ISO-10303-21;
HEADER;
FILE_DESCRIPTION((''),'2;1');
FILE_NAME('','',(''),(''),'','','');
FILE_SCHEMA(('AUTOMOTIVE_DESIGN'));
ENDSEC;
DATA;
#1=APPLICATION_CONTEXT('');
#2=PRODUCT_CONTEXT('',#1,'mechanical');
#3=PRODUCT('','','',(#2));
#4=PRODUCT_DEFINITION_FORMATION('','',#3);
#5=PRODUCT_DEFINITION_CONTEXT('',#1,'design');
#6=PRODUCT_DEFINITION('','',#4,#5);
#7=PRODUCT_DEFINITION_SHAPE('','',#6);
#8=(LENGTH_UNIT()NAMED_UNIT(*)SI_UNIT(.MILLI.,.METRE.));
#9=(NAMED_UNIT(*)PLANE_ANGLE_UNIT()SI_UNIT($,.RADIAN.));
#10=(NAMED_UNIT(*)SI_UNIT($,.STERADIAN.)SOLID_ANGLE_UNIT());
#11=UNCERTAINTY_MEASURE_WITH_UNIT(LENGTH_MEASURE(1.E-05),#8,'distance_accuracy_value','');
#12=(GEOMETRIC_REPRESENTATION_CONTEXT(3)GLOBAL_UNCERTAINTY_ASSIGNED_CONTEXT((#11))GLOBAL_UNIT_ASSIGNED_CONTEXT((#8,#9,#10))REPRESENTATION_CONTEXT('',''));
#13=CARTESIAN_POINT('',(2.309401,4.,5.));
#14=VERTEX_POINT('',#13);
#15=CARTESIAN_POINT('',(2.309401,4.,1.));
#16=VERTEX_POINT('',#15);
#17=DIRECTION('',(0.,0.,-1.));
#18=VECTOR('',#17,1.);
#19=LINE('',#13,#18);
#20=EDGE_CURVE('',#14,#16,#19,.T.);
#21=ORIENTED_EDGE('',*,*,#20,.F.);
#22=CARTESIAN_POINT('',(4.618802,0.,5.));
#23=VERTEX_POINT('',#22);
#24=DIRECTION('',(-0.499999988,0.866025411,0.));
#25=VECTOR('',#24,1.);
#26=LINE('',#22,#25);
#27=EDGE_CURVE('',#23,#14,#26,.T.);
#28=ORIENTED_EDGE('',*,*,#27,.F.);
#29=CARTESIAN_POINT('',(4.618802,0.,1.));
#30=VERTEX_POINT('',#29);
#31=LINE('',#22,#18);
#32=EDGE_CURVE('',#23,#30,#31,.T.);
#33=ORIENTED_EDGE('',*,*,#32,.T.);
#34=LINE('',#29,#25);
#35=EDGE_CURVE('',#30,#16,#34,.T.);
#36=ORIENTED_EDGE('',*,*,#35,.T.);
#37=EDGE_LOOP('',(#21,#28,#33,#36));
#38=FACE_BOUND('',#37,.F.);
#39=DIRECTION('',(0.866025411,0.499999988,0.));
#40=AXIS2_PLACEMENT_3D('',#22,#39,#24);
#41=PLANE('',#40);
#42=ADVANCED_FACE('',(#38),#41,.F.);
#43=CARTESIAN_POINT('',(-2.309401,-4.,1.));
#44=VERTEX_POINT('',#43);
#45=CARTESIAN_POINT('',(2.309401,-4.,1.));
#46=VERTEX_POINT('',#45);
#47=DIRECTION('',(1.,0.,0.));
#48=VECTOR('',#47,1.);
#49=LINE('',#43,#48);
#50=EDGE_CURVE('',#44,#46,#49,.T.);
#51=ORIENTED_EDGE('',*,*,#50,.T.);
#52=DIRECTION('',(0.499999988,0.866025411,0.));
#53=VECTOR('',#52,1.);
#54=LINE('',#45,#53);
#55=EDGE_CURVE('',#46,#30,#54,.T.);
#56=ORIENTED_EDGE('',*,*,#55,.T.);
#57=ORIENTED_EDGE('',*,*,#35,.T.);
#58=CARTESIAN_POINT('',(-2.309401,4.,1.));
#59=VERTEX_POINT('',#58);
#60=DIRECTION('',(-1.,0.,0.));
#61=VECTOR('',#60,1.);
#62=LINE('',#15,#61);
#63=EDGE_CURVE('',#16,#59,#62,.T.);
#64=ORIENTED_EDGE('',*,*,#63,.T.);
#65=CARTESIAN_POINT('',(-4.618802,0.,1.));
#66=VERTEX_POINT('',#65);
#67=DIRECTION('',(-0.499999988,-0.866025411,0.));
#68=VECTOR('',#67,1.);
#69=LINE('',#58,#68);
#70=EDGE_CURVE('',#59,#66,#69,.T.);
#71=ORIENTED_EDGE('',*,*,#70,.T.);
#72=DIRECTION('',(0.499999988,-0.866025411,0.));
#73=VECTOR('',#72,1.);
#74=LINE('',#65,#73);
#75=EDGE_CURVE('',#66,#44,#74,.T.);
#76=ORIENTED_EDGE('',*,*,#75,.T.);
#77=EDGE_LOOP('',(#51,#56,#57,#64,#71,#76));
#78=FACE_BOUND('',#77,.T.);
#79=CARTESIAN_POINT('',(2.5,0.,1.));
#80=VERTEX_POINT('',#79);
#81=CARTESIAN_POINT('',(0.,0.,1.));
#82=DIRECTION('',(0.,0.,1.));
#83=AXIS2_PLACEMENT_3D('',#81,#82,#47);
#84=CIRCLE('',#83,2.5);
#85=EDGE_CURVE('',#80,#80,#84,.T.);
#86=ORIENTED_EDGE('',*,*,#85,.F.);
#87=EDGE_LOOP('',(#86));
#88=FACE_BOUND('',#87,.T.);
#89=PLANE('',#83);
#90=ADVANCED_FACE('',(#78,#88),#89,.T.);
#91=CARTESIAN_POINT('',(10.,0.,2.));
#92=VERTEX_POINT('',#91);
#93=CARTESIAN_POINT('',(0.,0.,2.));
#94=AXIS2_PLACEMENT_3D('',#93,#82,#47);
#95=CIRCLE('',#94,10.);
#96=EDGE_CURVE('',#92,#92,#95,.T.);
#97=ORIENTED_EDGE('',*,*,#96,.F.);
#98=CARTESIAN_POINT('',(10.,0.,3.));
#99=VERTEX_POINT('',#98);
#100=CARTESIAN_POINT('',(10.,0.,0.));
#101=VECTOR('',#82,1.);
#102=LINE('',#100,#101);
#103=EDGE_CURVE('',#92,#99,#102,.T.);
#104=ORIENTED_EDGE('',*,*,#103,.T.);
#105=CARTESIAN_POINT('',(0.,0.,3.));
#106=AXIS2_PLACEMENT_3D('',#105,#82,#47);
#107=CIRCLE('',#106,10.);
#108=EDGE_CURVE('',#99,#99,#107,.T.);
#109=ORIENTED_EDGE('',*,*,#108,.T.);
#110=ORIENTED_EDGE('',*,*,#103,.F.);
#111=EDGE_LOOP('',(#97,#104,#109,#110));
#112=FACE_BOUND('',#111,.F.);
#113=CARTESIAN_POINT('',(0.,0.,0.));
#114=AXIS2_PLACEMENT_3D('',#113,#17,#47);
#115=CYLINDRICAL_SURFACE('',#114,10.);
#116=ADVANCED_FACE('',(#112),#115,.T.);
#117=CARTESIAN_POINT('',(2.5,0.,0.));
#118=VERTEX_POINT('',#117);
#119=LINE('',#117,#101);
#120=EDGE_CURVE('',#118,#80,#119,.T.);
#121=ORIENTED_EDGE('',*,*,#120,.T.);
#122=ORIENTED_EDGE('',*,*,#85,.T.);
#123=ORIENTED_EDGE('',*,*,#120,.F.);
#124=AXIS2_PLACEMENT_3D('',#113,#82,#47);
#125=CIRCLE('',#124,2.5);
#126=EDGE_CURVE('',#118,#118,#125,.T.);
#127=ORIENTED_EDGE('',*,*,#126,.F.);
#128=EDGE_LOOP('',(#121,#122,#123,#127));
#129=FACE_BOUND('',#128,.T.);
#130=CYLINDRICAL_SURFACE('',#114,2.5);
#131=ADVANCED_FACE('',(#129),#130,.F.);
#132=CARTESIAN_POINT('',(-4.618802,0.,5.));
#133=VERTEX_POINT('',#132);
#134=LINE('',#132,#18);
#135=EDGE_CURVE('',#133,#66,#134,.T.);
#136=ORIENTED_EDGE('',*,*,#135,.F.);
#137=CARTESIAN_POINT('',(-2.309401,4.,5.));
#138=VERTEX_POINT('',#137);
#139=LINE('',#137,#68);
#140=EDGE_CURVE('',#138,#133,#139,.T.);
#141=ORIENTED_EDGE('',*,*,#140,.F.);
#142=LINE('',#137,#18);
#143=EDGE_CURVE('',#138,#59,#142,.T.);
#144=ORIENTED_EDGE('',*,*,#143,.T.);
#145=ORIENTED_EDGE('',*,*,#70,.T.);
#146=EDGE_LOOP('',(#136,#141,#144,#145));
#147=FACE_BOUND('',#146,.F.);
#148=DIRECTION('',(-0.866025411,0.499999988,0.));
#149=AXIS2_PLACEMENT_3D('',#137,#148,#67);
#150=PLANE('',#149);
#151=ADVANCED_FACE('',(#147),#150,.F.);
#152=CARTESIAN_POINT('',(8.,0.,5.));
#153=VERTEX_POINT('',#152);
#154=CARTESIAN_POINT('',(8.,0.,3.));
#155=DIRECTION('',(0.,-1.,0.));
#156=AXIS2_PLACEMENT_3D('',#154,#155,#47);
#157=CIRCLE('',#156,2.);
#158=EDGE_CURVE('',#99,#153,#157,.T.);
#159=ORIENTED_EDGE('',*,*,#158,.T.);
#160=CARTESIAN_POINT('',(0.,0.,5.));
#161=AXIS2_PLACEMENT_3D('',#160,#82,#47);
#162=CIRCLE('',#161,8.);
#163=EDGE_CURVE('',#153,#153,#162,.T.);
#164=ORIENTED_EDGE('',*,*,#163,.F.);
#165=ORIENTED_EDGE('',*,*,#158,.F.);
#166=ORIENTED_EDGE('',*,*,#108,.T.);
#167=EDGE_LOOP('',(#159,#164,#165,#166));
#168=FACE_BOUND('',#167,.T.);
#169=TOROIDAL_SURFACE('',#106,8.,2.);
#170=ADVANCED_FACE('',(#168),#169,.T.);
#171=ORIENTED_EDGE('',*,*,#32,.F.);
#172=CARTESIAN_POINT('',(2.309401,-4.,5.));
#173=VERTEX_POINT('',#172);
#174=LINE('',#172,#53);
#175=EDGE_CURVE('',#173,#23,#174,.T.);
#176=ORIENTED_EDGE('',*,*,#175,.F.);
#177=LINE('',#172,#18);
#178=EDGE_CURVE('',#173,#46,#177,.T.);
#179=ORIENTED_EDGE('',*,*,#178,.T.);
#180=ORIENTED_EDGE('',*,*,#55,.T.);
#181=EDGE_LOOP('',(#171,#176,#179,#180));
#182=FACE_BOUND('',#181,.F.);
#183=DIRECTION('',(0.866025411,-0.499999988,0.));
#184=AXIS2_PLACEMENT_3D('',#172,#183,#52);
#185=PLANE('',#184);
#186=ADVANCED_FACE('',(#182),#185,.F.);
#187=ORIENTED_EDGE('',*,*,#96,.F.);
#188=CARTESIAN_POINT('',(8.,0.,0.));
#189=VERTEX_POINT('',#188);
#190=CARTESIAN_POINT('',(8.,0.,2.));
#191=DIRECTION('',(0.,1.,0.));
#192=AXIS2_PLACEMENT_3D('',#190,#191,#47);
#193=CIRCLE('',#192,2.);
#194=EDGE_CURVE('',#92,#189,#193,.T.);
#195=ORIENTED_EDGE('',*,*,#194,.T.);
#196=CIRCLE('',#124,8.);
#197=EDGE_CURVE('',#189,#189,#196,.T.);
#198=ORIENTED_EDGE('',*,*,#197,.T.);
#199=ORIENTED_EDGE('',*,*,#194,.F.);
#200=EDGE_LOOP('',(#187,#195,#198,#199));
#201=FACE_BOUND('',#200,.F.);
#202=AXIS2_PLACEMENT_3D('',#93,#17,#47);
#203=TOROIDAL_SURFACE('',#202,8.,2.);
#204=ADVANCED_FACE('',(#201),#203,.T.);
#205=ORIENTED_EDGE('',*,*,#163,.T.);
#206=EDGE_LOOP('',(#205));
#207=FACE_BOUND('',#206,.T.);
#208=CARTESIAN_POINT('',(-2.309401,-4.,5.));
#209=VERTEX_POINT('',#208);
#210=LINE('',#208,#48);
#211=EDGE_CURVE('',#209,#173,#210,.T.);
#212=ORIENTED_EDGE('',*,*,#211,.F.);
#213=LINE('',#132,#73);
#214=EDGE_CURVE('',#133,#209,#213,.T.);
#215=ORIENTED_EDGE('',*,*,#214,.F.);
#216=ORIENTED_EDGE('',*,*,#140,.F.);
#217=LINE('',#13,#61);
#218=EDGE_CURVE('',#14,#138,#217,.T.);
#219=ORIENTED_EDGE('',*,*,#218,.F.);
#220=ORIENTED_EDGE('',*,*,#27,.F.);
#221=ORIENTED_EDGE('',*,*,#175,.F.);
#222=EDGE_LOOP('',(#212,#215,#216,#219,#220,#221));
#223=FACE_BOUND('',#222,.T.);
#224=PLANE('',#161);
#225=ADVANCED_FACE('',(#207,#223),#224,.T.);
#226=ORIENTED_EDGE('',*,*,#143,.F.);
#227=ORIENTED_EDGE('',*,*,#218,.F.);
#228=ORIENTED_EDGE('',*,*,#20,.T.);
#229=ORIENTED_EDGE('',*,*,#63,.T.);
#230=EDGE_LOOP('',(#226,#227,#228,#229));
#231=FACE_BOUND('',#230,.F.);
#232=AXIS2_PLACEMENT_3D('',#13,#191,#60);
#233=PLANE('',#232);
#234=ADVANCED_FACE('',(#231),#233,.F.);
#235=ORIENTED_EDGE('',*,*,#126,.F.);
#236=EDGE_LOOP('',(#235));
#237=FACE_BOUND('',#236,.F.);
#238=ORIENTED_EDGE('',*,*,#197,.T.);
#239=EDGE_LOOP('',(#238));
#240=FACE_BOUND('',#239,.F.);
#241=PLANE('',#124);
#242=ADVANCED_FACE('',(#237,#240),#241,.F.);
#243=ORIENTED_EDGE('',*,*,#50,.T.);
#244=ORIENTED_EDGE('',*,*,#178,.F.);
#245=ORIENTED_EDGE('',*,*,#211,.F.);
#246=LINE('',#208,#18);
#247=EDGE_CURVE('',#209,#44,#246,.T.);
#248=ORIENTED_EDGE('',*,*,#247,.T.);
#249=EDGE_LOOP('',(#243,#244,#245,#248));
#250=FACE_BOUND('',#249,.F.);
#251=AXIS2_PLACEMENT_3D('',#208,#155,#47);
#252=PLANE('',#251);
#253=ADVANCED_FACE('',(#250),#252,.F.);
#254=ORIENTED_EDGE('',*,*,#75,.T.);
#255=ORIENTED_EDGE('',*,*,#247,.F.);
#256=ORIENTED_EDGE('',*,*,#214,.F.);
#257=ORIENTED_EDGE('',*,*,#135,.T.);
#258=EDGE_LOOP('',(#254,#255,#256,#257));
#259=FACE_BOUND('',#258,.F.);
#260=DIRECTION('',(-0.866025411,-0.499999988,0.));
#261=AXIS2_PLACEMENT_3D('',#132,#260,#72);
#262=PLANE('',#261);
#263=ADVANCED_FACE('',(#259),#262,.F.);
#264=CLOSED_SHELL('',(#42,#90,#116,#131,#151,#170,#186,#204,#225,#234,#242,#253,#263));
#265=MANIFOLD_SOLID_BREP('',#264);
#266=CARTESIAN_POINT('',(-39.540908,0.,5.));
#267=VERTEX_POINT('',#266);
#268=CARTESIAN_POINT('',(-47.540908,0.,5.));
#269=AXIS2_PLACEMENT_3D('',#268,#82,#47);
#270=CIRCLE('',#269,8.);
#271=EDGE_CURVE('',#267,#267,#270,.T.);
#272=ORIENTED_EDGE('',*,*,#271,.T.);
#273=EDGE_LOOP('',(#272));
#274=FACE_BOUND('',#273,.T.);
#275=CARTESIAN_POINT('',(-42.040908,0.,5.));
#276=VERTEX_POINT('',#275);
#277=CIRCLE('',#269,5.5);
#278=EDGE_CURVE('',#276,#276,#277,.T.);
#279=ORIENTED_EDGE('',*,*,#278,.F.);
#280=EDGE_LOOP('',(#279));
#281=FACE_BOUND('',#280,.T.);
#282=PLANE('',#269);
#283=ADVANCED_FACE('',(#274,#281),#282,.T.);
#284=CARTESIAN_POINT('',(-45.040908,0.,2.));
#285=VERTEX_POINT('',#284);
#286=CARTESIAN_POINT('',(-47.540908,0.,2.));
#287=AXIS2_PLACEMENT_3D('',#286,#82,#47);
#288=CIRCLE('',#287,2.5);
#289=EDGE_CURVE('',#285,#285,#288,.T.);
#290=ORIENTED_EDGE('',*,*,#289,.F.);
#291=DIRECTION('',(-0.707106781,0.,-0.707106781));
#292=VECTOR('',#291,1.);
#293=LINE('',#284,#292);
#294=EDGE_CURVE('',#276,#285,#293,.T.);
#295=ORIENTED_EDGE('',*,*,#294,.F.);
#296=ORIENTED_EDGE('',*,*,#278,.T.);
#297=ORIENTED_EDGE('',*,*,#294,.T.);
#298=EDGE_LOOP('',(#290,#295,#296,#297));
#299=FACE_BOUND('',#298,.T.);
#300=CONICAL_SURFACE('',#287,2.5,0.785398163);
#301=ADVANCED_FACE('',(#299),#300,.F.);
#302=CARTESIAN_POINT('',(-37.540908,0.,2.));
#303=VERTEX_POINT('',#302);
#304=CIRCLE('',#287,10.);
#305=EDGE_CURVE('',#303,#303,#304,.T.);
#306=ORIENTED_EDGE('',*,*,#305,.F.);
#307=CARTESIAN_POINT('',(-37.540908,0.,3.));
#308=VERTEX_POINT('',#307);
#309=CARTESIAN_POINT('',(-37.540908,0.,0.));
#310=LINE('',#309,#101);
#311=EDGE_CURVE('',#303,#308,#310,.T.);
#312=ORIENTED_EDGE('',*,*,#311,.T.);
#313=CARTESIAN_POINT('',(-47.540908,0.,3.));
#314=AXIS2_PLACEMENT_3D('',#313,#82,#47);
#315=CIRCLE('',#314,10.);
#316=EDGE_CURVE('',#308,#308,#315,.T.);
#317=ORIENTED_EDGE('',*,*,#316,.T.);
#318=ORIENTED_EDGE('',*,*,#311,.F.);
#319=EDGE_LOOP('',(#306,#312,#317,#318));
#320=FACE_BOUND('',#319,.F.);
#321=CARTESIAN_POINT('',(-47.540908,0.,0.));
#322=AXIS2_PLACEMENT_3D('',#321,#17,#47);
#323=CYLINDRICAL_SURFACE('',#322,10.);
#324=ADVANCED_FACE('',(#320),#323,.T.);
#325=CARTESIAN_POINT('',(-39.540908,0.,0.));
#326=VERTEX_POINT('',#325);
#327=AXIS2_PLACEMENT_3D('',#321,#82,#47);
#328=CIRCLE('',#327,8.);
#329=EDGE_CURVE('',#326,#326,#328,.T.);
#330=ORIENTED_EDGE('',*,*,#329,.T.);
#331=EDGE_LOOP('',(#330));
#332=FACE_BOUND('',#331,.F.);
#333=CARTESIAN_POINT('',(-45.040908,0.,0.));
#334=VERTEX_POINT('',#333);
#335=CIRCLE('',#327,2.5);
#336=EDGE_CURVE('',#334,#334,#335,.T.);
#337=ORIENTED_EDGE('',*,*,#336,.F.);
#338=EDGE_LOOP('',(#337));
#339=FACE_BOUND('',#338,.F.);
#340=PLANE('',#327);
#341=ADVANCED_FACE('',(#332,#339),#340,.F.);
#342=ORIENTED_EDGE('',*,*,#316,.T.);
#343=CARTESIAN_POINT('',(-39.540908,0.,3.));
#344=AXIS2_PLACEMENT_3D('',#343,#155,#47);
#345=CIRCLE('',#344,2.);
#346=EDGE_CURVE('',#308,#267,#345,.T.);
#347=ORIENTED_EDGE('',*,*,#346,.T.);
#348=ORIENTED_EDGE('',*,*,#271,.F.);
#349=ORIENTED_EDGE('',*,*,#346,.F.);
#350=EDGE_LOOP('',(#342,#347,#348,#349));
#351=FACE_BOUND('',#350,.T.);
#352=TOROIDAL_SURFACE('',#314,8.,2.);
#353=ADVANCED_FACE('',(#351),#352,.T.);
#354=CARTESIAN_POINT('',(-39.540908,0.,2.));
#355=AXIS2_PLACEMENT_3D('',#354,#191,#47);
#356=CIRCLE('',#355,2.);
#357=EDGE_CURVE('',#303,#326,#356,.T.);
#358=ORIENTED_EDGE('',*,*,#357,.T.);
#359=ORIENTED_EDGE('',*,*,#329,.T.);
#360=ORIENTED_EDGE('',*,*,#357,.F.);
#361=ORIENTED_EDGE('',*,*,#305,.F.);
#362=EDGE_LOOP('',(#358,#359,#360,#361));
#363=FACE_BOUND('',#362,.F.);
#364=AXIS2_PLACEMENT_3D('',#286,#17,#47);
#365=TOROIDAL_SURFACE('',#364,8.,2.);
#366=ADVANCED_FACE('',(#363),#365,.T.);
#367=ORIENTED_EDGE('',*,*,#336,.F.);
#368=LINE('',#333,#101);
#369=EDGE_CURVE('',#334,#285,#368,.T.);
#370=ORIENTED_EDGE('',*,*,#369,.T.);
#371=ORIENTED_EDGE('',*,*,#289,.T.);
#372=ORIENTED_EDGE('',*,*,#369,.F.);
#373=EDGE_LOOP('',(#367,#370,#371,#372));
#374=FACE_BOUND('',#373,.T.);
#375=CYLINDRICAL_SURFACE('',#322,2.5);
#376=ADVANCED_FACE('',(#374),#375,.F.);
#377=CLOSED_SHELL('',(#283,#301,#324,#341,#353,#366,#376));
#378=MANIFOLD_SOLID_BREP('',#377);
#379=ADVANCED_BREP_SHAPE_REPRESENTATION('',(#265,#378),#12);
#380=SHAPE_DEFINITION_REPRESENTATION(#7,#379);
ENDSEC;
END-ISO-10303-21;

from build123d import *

# Parameters (mm, degrees)
F0_R     = 10
F0_R_2   = 2.5
F1_DEPTH = 5
F2_R     = 2.5
F3_DEPTH = 4
F4_R     = 2
F5_SIZE  = 3


with BuildPart() as f1:
    # F0 (on Top) → F1 (new body)
    with BuildSketch(Plane.XY):
        with Locations((-47.540908, 0)):
            Circle(F0_R)
        with Locations((-47.540908, 0)):
            Circle(F0_R_2, mode=Mode.SUBTRACT)
        Circle(F0_R)
        Circle(F0_R_2, mode=Mode.SUBTRACT)
    extrude(amount=F1_DEPTH)

    # F2 (on face) → F3 (cut)
    with BuildSketch(Plane.XY.offset(5)):
        Polygon((-2.309401, -4), (2.309401, -4), (4.618802, 0), (2.309401, 4), (-2.309401, 4), (-4.618802, 0), align=None)
        Circle(F2_R, mode=Mode.SUBTRACT)
    extrude(amount=-F3_DEPTH, mode=Mode.SUBTRACT)

    # F4
    f4_edges = [f1.edges().sort_by_distance(p)[0] for p in [
        (-57.540908, 0, 0),
        (-57.540908, 0, 5),
        (-10, 0, 5),
        (-10, 0, 0),
    ]]
    fillet(f4_edges, radius=F4_R)

    # F5
    f5_edges = [f1.edges().sort_by_distance(p)[0] for p in [
        (-50.040908, 0, 5),
    ]]
    chamfer(f5_edges, length=F5_SIZE)


solid = f1.part
